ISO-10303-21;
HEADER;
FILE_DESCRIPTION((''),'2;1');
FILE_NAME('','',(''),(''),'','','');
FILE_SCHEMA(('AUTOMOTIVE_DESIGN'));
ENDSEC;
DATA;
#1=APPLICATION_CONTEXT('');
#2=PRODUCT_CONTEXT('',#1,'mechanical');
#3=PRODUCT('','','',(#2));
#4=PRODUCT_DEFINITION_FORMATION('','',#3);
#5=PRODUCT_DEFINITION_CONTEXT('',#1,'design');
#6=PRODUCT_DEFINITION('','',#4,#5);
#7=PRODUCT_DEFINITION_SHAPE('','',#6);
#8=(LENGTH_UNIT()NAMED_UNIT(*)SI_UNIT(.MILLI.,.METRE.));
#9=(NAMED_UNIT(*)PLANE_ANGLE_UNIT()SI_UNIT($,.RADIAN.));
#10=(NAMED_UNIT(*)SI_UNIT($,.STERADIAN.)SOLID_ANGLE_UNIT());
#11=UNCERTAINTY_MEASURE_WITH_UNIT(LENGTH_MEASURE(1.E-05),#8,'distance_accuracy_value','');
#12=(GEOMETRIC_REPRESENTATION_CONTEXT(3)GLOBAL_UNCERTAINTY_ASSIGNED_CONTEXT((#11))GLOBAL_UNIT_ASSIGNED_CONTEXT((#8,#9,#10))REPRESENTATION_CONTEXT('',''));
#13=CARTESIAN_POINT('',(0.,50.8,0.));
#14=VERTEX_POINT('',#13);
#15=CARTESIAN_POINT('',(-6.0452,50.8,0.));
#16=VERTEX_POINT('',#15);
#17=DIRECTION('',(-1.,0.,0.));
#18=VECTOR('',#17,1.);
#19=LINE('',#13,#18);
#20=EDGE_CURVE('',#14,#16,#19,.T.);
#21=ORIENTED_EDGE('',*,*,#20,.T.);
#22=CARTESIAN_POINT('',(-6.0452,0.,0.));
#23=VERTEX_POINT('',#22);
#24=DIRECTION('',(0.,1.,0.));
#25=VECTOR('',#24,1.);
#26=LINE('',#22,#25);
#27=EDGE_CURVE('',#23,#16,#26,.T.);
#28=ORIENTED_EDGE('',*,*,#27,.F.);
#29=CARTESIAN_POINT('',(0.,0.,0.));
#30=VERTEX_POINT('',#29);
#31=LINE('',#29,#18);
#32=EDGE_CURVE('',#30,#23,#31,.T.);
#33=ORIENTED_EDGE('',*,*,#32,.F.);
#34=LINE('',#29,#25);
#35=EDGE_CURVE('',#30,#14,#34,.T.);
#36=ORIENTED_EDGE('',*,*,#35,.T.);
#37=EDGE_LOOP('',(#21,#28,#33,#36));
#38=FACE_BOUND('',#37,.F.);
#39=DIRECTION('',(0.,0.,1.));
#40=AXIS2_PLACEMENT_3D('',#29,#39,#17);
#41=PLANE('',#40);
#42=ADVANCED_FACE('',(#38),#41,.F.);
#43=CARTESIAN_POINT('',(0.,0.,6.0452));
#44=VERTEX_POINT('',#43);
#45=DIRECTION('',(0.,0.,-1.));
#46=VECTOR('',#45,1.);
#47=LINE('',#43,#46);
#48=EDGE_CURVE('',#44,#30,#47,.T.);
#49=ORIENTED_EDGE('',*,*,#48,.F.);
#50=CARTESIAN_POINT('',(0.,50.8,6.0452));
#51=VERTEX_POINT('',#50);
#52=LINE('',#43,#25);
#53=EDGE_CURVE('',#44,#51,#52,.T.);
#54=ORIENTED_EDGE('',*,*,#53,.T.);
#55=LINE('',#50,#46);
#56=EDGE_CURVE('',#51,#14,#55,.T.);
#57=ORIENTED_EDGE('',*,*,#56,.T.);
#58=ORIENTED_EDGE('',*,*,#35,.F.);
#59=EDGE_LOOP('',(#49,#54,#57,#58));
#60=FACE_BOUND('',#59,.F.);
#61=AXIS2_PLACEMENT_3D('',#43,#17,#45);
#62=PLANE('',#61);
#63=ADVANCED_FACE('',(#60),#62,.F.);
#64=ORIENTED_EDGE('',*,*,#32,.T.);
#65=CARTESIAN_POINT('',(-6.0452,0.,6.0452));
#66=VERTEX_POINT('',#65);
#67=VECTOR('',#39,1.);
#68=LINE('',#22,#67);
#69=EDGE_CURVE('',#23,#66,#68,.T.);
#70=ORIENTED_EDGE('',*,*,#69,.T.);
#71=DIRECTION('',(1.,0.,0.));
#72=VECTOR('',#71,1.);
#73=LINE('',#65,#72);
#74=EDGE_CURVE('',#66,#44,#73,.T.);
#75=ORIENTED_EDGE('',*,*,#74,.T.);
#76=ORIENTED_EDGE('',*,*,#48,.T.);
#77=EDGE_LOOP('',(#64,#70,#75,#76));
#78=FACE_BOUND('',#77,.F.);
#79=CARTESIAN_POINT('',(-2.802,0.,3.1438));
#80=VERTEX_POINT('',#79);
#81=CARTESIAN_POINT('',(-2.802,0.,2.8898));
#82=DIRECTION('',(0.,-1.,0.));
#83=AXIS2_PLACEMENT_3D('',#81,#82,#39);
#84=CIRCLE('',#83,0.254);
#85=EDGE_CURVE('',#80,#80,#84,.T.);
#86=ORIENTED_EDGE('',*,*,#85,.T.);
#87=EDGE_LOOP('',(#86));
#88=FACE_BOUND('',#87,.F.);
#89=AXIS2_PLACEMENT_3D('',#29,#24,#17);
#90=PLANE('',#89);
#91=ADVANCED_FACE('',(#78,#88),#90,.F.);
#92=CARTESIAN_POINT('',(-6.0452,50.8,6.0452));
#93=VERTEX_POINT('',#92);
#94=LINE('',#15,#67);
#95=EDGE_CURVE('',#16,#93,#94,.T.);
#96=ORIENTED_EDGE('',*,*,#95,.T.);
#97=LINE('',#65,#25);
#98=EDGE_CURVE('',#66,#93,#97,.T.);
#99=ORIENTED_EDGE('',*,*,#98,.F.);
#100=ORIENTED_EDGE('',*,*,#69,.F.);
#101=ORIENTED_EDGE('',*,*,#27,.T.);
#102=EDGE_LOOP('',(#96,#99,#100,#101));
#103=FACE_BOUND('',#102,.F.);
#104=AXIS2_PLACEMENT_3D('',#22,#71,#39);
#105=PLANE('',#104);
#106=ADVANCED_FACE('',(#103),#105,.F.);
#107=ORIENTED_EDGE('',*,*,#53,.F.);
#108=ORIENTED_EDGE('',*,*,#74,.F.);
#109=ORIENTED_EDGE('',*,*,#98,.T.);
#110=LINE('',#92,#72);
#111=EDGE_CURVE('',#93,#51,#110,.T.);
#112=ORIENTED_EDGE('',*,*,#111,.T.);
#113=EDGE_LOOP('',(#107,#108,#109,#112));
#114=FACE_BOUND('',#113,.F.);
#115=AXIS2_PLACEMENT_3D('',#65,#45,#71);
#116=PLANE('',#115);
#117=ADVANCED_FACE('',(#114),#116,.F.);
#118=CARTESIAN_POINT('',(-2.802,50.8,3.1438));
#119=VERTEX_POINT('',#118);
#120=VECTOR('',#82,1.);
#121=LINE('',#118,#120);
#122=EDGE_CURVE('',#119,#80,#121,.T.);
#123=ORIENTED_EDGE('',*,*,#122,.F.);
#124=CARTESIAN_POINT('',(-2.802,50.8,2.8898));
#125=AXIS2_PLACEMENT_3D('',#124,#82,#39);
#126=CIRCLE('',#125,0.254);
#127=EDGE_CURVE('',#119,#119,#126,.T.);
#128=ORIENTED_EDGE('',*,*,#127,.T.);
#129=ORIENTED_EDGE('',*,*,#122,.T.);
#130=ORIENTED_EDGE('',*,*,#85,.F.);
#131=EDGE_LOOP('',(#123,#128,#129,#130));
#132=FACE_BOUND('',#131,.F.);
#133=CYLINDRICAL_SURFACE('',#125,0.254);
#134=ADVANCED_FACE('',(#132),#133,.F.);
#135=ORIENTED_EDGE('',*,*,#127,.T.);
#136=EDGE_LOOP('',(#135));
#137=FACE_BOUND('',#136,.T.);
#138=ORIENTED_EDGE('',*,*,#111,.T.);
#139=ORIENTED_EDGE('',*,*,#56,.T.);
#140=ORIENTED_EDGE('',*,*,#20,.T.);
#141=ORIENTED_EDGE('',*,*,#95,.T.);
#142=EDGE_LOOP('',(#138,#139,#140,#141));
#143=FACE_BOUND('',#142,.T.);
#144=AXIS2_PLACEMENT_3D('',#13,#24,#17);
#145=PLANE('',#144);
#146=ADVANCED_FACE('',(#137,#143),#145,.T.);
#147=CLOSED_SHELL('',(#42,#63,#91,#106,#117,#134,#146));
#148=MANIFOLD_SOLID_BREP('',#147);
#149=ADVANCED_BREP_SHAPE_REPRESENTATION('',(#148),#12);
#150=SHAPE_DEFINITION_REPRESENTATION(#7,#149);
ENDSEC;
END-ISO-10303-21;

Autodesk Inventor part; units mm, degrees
ref_plane "YZ Plane" through (0, 0, 0) normal (1, 0, 0) x (0, 1, 0)
ref_plane "XZ Plane" through (0, 0, 0) normal (0, 1, 0) x (-1, 0, 0)
ref_plane "XY Plane" through (0, 0, 0) normal (0, 0, 1) x (1, 0, 0)
sketch "Sketch1" plane through (0, 0, 0) normal (0, 1, 0) x (-1, 0, 0)
  line L0 (0, 0) -> (6.0452, 0)
  line L1 (6.0452, 0) -> (6.0452, 6.0452)
  line L2 (6.0452, 6.0452) -> (0, 6.0452)
  line L3 (0, 6.0452) -> (0, 0)
  dimension "d0" = 6.0452
  dimension "d1" = 6.0452
extrude "Extrusion1" add sketch "Sketch1" along normal blind 50.8
hole "Hole1" at (-2.802, 50.8, 2.8898) direction (0, -1, 0) diameter 0.508 end through all
properties part number "really cool squares"
